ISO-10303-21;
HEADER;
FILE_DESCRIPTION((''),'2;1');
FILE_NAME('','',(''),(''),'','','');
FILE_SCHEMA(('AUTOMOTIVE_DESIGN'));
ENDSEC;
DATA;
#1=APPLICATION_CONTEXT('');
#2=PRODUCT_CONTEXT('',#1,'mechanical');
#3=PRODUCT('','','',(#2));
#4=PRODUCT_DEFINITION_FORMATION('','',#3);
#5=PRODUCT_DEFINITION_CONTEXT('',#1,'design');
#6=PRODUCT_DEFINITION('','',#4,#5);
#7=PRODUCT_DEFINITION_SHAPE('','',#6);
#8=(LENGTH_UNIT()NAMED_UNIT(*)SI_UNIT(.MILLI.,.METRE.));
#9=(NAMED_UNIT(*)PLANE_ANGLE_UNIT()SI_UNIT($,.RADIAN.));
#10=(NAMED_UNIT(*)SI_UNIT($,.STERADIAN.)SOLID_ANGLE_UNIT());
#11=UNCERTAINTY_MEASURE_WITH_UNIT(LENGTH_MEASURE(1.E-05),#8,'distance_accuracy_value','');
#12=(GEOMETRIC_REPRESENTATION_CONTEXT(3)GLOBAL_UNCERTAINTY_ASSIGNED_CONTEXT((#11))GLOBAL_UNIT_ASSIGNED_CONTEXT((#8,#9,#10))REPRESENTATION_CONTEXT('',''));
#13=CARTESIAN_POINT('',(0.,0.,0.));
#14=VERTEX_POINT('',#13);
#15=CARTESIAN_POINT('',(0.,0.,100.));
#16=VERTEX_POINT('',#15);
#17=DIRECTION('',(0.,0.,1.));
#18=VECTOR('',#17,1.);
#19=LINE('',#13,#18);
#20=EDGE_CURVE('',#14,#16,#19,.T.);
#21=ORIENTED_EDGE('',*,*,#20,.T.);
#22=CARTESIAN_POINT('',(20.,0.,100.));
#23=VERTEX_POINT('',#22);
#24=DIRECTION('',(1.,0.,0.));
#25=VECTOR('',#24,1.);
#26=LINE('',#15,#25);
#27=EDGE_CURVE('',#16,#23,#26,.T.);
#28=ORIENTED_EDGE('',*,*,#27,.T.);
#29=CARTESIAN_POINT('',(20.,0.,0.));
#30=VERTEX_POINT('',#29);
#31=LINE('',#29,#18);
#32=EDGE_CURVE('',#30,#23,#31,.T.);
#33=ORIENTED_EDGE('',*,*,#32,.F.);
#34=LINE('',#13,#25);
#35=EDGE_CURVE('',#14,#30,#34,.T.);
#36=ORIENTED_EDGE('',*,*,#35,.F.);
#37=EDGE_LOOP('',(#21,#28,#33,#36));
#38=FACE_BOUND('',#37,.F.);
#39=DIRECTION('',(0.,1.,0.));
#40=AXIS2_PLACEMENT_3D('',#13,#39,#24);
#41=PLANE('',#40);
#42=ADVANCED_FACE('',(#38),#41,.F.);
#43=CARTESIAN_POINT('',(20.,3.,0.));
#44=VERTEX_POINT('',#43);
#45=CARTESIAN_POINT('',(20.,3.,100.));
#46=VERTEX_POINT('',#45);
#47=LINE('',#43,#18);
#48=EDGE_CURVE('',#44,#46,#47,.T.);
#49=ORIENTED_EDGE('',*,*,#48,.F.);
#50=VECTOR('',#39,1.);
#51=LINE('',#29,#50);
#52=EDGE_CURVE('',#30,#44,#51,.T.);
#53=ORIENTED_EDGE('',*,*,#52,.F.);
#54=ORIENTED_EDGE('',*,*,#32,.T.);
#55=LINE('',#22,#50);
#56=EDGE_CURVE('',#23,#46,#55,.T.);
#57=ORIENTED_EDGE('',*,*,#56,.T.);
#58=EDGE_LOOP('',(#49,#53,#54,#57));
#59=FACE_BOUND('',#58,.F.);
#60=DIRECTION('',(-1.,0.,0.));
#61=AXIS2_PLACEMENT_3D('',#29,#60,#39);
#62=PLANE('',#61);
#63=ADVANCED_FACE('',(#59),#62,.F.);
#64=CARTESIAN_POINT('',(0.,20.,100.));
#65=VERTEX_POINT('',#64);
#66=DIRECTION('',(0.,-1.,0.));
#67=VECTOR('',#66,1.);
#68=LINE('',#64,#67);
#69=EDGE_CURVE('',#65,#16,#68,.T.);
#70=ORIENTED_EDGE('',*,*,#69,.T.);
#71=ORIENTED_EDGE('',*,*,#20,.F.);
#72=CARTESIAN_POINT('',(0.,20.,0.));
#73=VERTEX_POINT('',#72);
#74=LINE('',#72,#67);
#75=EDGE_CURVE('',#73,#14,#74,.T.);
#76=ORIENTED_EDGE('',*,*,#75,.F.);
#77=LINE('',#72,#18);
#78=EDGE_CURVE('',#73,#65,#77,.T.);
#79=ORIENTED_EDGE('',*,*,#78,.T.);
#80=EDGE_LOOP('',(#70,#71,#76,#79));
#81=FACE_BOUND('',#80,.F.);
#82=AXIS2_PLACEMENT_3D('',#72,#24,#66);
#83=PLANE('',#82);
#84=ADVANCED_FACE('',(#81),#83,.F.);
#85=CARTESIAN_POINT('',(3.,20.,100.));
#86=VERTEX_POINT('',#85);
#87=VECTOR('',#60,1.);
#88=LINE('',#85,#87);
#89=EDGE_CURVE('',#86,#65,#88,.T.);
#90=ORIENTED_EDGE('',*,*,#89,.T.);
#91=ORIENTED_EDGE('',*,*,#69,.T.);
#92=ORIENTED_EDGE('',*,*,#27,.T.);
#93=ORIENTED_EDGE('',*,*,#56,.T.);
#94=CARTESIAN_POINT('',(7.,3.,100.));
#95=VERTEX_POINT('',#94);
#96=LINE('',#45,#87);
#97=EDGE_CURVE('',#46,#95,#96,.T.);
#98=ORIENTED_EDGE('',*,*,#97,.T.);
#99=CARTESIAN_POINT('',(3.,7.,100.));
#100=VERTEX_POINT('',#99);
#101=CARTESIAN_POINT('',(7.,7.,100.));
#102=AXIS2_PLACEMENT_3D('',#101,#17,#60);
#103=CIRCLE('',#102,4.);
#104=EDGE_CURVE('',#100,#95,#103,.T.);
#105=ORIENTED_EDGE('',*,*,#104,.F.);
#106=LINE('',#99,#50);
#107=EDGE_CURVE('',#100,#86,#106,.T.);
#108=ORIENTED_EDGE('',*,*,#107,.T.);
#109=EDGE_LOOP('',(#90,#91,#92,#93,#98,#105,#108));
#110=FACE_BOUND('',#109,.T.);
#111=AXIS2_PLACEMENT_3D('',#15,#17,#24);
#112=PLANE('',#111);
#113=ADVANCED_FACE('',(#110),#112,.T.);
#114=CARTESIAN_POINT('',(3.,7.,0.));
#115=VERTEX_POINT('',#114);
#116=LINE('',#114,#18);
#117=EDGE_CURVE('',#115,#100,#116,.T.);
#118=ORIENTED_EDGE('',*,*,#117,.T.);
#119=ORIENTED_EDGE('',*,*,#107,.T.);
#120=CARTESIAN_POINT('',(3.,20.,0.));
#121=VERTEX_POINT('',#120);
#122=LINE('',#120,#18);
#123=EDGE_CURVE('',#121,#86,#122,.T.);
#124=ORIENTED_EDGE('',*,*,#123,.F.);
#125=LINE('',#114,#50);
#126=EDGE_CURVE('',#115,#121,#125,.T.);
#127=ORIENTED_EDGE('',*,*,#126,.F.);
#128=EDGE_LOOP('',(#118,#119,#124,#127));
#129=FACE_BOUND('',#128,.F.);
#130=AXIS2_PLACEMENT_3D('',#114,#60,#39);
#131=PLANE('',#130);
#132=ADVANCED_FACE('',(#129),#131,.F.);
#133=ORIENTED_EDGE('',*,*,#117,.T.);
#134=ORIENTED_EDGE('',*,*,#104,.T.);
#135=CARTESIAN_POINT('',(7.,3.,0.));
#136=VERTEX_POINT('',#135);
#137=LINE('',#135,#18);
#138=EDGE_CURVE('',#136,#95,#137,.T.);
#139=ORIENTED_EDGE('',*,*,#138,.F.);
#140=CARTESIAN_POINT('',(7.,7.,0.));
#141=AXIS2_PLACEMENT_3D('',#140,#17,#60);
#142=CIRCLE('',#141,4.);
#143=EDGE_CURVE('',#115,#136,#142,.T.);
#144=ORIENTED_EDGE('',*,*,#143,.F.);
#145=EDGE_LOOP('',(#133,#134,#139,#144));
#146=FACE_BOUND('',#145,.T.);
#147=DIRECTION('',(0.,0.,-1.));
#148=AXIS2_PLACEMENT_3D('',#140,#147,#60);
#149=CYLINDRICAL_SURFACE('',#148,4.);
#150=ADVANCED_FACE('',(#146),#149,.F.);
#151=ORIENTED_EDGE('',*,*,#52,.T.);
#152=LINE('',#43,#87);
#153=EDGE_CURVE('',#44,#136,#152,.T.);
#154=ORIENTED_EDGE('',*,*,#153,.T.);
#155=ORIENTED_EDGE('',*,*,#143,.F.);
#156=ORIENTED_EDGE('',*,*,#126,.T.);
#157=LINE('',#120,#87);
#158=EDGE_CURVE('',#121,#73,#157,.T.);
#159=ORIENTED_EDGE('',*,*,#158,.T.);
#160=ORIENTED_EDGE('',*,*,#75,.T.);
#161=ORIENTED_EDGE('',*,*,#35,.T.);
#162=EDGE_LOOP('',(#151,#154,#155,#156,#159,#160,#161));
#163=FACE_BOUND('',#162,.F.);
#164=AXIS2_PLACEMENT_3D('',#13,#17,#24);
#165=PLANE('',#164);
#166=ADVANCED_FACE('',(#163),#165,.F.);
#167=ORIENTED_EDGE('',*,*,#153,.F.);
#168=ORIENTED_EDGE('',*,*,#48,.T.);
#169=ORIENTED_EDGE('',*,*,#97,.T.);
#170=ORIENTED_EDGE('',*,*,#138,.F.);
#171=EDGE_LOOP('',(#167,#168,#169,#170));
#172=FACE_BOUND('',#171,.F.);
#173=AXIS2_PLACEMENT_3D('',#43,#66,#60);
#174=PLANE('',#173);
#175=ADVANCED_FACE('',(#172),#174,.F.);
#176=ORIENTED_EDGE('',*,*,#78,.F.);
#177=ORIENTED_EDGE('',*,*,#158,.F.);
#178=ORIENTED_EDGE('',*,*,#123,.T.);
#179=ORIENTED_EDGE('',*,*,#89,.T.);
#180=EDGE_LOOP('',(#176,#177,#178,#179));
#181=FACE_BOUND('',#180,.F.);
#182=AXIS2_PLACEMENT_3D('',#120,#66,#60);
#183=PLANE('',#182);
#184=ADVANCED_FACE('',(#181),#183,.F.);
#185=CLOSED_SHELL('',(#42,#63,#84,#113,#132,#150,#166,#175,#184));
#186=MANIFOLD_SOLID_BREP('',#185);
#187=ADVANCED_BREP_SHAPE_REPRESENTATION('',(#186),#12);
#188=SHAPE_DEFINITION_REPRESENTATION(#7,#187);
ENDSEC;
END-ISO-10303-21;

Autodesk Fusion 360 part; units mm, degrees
sketch "スケッチ1" plane through (0, 0, 0) normal (0, 0, 1) x (1, 0, 0)
  line L0 (0, 20) -> (0, 0)
  line L1 (3, 7) -> (3, 20)
  arc A0 (3, 7) -> (7, 3) centre (7, 7) ccw
  line L2 (0, 0) -> (20, 0)
  line L3 (20, 3) -> (7, 3)
  line L4 (20, 0) -> (20, 3)
  line L5 (3, 20) -> (0, 20)
extrude "押し出し1" add sketch "スケッチ1" along normal blind 100
